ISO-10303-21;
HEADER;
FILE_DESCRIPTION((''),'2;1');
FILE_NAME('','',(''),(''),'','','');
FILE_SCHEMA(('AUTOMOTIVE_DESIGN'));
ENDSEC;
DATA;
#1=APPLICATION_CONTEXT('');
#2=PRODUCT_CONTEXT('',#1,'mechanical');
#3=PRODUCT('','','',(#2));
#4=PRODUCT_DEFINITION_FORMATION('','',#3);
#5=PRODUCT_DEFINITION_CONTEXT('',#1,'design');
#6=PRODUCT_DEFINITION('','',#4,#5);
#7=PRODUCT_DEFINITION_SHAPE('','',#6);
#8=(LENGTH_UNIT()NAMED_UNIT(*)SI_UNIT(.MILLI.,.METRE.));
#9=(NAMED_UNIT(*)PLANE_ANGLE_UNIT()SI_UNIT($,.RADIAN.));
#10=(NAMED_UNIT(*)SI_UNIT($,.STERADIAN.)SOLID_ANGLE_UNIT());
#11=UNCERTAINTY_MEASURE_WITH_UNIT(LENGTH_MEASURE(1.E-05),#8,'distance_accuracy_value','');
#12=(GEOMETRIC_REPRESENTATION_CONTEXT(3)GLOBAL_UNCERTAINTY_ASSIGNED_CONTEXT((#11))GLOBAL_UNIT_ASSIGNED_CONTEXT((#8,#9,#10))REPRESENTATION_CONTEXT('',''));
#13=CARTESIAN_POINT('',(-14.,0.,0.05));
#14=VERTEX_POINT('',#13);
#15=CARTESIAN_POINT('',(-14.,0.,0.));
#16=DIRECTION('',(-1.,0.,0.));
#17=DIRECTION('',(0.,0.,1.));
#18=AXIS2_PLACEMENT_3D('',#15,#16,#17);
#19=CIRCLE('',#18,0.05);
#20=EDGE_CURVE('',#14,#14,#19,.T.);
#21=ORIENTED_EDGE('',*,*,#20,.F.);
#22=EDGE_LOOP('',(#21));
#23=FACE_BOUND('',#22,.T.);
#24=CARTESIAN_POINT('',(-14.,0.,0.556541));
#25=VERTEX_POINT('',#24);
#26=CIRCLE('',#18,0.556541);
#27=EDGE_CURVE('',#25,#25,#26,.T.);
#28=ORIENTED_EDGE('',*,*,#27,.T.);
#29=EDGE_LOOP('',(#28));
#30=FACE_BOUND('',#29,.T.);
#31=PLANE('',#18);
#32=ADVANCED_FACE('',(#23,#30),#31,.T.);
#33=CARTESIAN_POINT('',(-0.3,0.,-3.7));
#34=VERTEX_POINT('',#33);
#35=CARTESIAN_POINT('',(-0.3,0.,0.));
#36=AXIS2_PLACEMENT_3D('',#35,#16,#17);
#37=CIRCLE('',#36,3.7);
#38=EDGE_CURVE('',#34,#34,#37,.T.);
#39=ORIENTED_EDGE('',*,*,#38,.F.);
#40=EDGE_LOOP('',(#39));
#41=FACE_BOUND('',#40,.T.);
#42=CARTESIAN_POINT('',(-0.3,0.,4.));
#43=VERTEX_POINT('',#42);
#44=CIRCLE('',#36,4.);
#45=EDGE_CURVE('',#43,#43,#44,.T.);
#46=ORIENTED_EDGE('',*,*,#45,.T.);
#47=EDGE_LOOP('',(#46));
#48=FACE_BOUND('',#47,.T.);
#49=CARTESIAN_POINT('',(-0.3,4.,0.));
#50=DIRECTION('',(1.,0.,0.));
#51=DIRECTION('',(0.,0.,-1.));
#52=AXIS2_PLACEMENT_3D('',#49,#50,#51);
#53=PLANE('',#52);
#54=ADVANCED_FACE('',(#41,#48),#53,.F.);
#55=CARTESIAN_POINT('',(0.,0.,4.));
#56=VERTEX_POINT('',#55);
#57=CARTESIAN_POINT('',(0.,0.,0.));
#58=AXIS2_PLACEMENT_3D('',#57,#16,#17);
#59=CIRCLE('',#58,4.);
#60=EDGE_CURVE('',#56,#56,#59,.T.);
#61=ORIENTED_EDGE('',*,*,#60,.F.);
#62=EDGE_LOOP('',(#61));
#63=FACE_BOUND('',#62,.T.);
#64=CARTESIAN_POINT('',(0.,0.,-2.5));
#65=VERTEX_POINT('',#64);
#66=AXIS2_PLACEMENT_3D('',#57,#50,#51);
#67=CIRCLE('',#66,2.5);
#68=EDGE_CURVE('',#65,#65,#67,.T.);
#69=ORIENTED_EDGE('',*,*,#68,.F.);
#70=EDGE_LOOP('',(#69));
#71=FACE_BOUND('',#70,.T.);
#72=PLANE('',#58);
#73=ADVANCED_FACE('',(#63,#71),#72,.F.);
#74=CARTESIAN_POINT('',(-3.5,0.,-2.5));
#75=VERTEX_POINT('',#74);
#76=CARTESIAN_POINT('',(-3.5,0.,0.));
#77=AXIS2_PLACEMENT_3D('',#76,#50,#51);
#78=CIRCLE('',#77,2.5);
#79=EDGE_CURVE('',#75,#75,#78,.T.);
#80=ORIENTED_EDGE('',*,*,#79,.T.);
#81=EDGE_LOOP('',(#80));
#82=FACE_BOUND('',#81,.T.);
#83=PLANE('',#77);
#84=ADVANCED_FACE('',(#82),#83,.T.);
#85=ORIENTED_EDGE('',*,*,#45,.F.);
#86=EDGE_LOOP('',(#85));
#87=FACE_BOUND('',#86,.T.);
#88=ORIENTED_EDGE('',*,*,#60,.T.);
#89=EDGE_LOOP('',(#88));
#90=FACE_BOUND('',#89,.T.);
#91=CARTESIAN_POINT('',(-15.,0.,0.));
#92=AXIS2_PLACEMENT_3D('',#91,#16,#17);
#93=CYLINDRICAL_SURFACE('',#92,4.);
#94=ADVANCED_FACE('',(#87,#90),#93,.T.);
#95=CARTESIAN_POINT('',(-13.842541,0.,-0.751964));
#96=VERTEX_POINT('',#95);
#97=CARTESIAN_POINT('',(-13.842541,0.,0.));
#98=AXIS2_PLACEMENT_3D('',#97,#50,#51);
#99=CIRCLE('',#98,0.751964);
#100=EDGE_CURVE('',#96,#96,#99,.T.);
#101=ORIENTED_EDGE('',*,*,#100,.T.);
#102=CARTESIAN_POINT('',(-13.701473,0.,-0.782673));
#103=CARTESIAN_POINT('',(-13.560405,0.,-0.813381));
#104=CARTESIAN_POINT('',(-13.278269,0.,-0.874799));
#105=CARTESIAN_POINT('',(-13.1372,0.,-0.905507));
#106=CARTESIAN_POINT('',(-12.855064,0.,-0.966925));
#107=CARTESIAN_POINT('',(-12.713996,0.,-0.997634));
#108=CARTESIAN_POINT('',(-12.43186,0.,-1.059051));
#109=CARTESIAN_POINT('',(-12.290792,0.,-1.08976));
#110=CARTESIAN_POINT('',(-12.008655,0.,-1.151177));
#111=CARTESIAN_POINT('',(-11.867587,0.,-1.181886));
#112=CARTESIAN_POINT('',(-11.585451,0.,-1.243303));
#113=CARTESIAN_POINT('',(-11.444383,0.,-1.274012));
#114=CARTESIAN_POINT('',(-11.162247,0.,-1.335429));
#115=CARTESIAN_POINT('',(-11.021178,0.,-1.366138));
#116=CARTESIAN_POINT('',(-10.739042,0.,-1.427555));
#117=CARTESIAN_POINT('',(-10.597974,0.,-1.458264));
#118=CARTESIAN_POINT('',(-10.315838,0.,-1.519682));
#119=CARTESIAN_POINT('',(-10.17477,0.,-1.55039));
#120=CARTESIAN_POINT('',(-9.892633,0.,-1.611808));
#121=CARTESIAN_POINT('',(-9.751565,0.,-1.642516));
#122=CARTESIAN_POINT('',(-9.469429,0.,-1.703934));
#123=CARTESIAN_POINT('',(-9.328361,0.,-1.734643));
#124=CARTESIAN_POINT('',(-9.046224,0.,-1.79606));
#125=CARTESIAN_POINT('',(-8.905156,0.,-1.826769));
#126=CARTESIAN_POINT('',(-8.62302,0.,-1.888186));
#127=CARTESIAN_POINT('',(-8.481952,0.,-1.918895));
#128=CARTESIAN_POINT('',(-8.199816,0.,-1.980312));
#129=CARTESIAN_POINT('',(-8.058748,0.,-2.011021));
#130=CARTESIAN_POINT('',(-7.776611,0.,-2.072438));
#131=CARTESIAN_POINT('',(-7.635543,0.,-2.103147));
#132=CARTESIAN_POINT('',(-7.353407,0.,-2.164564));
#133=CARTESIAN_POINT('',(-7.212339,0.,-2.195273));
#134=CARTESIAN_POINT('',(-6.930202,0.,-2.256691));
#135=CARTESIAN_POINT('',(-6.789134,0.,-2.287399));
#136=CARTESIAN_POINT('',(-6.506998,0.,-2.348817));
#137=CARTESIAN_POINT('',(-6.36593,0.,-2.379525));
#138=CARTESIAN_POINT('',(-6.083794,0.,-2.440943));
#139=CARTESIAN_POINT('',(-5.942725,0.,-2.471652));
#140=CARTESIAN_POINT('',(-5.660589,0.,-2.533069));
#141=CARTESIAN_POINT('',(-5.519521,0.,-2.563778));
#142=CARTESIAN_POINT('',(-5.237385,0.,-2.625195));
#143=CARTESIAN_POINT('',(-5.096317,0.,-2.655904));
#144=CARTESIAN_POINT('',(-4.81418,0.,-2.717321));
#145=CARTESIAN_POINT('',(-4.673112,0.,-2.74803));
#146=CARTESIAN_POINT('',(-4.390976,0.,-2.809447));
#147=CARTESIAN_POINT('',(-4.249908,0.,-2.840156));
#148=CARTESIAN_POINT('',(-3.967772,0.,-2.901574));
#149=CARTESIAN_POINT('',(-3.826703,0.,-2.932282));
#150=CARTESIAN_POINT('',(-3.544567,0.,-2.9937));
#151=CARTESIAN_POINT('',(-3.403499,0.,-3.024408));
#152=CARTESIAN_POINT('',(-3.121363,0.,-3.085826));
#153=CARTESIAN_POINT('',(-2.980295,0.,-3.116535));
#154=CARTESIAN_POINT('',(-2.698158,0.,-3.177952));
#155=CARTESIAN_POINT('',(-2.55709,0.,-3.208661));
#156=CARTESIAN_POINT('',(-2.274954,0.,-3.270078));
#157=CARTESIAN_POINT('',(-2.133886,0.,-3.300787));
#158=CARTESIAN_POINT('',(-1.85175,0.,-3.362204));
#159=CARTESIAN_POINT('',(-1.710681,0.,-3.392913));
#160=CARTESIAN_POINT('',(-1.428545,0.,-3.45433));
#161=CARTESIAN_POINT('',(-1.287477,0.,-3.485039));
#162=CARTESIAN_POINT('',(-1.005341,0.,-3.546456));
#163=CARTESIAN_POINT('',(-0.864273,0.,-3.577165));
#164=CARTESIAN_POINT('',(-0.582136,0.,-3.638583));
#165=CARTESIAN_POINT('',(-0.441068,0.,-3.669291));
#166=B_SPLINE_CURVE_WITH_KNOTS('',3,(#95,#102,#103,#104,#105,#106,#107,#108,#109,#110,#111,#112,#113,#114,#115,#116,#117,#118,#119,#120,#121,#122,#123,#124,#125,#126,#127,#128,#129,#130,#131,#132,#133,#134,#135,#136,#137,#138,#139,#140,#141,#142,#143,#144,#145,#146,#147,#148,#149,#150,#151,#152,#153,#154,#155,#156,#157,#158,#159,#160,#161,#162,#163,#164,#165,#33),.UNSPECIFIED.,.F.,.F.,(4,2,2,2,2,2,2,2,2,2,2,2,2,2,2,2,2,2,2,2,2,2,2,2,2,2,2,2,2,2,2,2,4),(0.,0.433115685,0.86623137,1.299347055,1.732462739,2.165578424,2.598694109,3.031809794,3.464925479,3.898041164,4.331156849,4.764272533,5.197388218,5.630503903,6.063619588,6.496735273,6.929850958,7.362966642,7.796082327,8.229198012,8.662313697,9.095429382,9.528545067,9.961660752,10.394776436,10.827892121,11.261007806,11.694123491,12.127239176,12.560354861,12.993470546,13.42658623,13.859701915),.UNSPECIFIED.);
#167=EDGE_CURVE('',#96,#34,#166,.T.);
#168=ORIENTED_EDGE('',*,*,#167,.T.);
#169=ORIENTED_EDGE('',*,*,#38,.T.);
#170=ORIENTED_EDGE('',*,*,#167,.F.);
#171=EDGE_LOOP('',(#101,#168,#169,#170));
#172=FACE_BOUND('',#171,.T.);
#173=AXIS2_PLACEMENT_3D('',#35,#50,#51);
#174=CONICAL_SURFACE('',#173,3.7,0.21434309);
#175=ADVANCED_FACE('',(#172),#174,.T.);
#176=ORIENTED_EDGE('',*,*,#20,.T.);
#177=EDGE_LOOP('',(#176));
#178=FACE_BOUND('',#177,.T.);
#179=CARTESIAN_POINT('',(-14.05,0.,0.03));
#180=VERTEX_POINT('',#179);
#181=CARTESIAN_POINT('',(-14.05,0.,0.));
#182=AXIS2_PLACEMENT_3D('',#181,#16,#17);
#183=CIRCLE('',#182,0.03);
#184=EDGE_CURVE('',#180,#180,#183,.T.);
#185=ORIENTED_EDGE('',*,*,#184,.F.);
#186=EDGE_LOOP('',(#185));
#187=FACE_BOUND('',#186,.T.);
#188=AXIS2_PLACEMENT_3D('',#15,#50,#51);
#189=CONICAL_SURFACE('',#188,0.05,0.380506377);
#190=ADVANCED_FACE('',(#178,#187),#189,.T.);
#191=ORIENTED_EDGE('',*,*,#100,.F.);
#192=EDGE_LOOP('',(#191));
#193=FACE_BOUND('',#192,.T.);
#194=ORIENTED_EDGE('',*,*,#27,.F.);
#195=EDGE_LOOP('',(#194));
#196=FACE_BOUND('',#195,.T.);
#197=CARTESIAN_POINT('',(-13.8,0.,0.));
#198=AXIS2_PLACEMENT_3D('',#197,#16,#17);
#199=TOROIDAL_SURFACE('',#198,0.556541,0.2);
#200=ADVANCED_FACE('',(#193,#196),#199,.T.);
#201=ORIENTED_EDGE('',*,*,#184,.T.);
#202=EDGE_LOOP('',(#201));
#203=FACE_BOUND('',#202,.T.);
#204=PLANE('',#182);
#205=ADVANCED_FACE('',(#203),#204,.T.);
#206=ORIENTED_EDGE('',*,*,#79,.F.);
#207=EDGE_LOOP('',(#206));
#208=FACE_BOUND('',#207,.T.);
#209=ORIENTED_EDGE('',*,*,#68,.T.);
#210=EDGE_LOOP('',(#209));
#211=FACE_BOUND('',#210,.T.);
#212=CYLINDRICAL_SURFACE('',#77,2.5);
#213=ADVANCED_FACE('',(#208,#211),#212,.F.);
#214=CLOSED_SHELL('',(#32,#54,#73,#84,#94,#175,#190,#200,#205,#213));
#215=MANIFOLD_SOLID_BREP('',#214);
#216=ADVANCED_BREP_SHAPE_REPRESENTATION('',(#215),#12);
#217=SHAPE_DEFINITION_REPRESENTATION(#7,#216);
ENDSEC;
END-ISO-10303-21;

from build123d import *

# Parameters (mm, degrees)
SKETCH_2_R          = 2.5
CUT_EXTRUDE_1_DEPTH = 3.5
SKETCH_3_R          = 1.5
CUT_EXTRUDE_2_DEPTH = 1
FILLET_1_R          = 0.2
SKETCH_4_R          = 0.05
EXTRUDE_1_DEPTH     = 0.05


with BuildPart() as part:
    # 草图1 → 旋转1 (revolve)
    with BuildSketch(Plane.XY, mode=Mode.PRIVATE) as revolve_1_sk:
        Polygon((0, 0), (0, 4), (-0.3, 4), (-0.3, 3.7), (-15, 0.5), (-15, 0), align=None)
    revolve(revolve_1_sk.sketch.rotate(Axis((-15, 0, 0), (1, 0, 0)), 90), axis=Axis((-15, 0, 0), (1, 0, 0)))

    # 草图2 → 切除-拉伸1 (cut)
    with BuildSketch(Plane(origin=(0, 0, 0), x_dir=(0, 0, -1), z_dir=(1, 0, 0))):
        Circle(SKETCH_2_R)
    extrude(amount=-CUT_EXTRUDE_1_DEPTH, mode=Mode.SUBTRACT)

    # 草图3 → 切除-拉伸2 (cut)
    with BuildSketch(Plane.ZY.offset(15)):
        Circle(SKETCH_3_R)
    extrude(amount=-CUT_EXTRUDE_2_DEPTH, mode=Mode.SUBTRACT)

    # 圆角1
    fillet_1_edges = [part.edges().sort_by_distance(p)[0] for p in [
        (-14, 0, -0.717687075),
    ]]
    fillet(fillet_1_edges, radius=FILLET_1_R)

    # 草图4 → 凸台-拉伸1 (add)
    with BuildSketch(Plane.ZY.offset(14)):
        Circle(SKETCH_4_R)
    extrude(amount=EXTRUDE_1_DEPTH)

    # 草图5 → 切除-旋转1 (revolve, cut)
    with BuildSketch(Plane(origin=(0, 0, 0), x_dir=(1, 0, 0), z_dir=(0, 1, 0)), mode=Mode.PRIVATE) as cut_revolve_1_sk:
        Polygon((-14, -0.05), (-14.05, -0.03), (-14.05, -0.05), align=None)
    revolve(cut_revolve_1_sk.sketch.rotate(Axis((-14.05, 0, 0), (1, 0, 0)), 180), axis=Axis((-14.05, 0, 0), (1, 0, 0)), mode=Mode.SUBTRACT)


solid = part.part
